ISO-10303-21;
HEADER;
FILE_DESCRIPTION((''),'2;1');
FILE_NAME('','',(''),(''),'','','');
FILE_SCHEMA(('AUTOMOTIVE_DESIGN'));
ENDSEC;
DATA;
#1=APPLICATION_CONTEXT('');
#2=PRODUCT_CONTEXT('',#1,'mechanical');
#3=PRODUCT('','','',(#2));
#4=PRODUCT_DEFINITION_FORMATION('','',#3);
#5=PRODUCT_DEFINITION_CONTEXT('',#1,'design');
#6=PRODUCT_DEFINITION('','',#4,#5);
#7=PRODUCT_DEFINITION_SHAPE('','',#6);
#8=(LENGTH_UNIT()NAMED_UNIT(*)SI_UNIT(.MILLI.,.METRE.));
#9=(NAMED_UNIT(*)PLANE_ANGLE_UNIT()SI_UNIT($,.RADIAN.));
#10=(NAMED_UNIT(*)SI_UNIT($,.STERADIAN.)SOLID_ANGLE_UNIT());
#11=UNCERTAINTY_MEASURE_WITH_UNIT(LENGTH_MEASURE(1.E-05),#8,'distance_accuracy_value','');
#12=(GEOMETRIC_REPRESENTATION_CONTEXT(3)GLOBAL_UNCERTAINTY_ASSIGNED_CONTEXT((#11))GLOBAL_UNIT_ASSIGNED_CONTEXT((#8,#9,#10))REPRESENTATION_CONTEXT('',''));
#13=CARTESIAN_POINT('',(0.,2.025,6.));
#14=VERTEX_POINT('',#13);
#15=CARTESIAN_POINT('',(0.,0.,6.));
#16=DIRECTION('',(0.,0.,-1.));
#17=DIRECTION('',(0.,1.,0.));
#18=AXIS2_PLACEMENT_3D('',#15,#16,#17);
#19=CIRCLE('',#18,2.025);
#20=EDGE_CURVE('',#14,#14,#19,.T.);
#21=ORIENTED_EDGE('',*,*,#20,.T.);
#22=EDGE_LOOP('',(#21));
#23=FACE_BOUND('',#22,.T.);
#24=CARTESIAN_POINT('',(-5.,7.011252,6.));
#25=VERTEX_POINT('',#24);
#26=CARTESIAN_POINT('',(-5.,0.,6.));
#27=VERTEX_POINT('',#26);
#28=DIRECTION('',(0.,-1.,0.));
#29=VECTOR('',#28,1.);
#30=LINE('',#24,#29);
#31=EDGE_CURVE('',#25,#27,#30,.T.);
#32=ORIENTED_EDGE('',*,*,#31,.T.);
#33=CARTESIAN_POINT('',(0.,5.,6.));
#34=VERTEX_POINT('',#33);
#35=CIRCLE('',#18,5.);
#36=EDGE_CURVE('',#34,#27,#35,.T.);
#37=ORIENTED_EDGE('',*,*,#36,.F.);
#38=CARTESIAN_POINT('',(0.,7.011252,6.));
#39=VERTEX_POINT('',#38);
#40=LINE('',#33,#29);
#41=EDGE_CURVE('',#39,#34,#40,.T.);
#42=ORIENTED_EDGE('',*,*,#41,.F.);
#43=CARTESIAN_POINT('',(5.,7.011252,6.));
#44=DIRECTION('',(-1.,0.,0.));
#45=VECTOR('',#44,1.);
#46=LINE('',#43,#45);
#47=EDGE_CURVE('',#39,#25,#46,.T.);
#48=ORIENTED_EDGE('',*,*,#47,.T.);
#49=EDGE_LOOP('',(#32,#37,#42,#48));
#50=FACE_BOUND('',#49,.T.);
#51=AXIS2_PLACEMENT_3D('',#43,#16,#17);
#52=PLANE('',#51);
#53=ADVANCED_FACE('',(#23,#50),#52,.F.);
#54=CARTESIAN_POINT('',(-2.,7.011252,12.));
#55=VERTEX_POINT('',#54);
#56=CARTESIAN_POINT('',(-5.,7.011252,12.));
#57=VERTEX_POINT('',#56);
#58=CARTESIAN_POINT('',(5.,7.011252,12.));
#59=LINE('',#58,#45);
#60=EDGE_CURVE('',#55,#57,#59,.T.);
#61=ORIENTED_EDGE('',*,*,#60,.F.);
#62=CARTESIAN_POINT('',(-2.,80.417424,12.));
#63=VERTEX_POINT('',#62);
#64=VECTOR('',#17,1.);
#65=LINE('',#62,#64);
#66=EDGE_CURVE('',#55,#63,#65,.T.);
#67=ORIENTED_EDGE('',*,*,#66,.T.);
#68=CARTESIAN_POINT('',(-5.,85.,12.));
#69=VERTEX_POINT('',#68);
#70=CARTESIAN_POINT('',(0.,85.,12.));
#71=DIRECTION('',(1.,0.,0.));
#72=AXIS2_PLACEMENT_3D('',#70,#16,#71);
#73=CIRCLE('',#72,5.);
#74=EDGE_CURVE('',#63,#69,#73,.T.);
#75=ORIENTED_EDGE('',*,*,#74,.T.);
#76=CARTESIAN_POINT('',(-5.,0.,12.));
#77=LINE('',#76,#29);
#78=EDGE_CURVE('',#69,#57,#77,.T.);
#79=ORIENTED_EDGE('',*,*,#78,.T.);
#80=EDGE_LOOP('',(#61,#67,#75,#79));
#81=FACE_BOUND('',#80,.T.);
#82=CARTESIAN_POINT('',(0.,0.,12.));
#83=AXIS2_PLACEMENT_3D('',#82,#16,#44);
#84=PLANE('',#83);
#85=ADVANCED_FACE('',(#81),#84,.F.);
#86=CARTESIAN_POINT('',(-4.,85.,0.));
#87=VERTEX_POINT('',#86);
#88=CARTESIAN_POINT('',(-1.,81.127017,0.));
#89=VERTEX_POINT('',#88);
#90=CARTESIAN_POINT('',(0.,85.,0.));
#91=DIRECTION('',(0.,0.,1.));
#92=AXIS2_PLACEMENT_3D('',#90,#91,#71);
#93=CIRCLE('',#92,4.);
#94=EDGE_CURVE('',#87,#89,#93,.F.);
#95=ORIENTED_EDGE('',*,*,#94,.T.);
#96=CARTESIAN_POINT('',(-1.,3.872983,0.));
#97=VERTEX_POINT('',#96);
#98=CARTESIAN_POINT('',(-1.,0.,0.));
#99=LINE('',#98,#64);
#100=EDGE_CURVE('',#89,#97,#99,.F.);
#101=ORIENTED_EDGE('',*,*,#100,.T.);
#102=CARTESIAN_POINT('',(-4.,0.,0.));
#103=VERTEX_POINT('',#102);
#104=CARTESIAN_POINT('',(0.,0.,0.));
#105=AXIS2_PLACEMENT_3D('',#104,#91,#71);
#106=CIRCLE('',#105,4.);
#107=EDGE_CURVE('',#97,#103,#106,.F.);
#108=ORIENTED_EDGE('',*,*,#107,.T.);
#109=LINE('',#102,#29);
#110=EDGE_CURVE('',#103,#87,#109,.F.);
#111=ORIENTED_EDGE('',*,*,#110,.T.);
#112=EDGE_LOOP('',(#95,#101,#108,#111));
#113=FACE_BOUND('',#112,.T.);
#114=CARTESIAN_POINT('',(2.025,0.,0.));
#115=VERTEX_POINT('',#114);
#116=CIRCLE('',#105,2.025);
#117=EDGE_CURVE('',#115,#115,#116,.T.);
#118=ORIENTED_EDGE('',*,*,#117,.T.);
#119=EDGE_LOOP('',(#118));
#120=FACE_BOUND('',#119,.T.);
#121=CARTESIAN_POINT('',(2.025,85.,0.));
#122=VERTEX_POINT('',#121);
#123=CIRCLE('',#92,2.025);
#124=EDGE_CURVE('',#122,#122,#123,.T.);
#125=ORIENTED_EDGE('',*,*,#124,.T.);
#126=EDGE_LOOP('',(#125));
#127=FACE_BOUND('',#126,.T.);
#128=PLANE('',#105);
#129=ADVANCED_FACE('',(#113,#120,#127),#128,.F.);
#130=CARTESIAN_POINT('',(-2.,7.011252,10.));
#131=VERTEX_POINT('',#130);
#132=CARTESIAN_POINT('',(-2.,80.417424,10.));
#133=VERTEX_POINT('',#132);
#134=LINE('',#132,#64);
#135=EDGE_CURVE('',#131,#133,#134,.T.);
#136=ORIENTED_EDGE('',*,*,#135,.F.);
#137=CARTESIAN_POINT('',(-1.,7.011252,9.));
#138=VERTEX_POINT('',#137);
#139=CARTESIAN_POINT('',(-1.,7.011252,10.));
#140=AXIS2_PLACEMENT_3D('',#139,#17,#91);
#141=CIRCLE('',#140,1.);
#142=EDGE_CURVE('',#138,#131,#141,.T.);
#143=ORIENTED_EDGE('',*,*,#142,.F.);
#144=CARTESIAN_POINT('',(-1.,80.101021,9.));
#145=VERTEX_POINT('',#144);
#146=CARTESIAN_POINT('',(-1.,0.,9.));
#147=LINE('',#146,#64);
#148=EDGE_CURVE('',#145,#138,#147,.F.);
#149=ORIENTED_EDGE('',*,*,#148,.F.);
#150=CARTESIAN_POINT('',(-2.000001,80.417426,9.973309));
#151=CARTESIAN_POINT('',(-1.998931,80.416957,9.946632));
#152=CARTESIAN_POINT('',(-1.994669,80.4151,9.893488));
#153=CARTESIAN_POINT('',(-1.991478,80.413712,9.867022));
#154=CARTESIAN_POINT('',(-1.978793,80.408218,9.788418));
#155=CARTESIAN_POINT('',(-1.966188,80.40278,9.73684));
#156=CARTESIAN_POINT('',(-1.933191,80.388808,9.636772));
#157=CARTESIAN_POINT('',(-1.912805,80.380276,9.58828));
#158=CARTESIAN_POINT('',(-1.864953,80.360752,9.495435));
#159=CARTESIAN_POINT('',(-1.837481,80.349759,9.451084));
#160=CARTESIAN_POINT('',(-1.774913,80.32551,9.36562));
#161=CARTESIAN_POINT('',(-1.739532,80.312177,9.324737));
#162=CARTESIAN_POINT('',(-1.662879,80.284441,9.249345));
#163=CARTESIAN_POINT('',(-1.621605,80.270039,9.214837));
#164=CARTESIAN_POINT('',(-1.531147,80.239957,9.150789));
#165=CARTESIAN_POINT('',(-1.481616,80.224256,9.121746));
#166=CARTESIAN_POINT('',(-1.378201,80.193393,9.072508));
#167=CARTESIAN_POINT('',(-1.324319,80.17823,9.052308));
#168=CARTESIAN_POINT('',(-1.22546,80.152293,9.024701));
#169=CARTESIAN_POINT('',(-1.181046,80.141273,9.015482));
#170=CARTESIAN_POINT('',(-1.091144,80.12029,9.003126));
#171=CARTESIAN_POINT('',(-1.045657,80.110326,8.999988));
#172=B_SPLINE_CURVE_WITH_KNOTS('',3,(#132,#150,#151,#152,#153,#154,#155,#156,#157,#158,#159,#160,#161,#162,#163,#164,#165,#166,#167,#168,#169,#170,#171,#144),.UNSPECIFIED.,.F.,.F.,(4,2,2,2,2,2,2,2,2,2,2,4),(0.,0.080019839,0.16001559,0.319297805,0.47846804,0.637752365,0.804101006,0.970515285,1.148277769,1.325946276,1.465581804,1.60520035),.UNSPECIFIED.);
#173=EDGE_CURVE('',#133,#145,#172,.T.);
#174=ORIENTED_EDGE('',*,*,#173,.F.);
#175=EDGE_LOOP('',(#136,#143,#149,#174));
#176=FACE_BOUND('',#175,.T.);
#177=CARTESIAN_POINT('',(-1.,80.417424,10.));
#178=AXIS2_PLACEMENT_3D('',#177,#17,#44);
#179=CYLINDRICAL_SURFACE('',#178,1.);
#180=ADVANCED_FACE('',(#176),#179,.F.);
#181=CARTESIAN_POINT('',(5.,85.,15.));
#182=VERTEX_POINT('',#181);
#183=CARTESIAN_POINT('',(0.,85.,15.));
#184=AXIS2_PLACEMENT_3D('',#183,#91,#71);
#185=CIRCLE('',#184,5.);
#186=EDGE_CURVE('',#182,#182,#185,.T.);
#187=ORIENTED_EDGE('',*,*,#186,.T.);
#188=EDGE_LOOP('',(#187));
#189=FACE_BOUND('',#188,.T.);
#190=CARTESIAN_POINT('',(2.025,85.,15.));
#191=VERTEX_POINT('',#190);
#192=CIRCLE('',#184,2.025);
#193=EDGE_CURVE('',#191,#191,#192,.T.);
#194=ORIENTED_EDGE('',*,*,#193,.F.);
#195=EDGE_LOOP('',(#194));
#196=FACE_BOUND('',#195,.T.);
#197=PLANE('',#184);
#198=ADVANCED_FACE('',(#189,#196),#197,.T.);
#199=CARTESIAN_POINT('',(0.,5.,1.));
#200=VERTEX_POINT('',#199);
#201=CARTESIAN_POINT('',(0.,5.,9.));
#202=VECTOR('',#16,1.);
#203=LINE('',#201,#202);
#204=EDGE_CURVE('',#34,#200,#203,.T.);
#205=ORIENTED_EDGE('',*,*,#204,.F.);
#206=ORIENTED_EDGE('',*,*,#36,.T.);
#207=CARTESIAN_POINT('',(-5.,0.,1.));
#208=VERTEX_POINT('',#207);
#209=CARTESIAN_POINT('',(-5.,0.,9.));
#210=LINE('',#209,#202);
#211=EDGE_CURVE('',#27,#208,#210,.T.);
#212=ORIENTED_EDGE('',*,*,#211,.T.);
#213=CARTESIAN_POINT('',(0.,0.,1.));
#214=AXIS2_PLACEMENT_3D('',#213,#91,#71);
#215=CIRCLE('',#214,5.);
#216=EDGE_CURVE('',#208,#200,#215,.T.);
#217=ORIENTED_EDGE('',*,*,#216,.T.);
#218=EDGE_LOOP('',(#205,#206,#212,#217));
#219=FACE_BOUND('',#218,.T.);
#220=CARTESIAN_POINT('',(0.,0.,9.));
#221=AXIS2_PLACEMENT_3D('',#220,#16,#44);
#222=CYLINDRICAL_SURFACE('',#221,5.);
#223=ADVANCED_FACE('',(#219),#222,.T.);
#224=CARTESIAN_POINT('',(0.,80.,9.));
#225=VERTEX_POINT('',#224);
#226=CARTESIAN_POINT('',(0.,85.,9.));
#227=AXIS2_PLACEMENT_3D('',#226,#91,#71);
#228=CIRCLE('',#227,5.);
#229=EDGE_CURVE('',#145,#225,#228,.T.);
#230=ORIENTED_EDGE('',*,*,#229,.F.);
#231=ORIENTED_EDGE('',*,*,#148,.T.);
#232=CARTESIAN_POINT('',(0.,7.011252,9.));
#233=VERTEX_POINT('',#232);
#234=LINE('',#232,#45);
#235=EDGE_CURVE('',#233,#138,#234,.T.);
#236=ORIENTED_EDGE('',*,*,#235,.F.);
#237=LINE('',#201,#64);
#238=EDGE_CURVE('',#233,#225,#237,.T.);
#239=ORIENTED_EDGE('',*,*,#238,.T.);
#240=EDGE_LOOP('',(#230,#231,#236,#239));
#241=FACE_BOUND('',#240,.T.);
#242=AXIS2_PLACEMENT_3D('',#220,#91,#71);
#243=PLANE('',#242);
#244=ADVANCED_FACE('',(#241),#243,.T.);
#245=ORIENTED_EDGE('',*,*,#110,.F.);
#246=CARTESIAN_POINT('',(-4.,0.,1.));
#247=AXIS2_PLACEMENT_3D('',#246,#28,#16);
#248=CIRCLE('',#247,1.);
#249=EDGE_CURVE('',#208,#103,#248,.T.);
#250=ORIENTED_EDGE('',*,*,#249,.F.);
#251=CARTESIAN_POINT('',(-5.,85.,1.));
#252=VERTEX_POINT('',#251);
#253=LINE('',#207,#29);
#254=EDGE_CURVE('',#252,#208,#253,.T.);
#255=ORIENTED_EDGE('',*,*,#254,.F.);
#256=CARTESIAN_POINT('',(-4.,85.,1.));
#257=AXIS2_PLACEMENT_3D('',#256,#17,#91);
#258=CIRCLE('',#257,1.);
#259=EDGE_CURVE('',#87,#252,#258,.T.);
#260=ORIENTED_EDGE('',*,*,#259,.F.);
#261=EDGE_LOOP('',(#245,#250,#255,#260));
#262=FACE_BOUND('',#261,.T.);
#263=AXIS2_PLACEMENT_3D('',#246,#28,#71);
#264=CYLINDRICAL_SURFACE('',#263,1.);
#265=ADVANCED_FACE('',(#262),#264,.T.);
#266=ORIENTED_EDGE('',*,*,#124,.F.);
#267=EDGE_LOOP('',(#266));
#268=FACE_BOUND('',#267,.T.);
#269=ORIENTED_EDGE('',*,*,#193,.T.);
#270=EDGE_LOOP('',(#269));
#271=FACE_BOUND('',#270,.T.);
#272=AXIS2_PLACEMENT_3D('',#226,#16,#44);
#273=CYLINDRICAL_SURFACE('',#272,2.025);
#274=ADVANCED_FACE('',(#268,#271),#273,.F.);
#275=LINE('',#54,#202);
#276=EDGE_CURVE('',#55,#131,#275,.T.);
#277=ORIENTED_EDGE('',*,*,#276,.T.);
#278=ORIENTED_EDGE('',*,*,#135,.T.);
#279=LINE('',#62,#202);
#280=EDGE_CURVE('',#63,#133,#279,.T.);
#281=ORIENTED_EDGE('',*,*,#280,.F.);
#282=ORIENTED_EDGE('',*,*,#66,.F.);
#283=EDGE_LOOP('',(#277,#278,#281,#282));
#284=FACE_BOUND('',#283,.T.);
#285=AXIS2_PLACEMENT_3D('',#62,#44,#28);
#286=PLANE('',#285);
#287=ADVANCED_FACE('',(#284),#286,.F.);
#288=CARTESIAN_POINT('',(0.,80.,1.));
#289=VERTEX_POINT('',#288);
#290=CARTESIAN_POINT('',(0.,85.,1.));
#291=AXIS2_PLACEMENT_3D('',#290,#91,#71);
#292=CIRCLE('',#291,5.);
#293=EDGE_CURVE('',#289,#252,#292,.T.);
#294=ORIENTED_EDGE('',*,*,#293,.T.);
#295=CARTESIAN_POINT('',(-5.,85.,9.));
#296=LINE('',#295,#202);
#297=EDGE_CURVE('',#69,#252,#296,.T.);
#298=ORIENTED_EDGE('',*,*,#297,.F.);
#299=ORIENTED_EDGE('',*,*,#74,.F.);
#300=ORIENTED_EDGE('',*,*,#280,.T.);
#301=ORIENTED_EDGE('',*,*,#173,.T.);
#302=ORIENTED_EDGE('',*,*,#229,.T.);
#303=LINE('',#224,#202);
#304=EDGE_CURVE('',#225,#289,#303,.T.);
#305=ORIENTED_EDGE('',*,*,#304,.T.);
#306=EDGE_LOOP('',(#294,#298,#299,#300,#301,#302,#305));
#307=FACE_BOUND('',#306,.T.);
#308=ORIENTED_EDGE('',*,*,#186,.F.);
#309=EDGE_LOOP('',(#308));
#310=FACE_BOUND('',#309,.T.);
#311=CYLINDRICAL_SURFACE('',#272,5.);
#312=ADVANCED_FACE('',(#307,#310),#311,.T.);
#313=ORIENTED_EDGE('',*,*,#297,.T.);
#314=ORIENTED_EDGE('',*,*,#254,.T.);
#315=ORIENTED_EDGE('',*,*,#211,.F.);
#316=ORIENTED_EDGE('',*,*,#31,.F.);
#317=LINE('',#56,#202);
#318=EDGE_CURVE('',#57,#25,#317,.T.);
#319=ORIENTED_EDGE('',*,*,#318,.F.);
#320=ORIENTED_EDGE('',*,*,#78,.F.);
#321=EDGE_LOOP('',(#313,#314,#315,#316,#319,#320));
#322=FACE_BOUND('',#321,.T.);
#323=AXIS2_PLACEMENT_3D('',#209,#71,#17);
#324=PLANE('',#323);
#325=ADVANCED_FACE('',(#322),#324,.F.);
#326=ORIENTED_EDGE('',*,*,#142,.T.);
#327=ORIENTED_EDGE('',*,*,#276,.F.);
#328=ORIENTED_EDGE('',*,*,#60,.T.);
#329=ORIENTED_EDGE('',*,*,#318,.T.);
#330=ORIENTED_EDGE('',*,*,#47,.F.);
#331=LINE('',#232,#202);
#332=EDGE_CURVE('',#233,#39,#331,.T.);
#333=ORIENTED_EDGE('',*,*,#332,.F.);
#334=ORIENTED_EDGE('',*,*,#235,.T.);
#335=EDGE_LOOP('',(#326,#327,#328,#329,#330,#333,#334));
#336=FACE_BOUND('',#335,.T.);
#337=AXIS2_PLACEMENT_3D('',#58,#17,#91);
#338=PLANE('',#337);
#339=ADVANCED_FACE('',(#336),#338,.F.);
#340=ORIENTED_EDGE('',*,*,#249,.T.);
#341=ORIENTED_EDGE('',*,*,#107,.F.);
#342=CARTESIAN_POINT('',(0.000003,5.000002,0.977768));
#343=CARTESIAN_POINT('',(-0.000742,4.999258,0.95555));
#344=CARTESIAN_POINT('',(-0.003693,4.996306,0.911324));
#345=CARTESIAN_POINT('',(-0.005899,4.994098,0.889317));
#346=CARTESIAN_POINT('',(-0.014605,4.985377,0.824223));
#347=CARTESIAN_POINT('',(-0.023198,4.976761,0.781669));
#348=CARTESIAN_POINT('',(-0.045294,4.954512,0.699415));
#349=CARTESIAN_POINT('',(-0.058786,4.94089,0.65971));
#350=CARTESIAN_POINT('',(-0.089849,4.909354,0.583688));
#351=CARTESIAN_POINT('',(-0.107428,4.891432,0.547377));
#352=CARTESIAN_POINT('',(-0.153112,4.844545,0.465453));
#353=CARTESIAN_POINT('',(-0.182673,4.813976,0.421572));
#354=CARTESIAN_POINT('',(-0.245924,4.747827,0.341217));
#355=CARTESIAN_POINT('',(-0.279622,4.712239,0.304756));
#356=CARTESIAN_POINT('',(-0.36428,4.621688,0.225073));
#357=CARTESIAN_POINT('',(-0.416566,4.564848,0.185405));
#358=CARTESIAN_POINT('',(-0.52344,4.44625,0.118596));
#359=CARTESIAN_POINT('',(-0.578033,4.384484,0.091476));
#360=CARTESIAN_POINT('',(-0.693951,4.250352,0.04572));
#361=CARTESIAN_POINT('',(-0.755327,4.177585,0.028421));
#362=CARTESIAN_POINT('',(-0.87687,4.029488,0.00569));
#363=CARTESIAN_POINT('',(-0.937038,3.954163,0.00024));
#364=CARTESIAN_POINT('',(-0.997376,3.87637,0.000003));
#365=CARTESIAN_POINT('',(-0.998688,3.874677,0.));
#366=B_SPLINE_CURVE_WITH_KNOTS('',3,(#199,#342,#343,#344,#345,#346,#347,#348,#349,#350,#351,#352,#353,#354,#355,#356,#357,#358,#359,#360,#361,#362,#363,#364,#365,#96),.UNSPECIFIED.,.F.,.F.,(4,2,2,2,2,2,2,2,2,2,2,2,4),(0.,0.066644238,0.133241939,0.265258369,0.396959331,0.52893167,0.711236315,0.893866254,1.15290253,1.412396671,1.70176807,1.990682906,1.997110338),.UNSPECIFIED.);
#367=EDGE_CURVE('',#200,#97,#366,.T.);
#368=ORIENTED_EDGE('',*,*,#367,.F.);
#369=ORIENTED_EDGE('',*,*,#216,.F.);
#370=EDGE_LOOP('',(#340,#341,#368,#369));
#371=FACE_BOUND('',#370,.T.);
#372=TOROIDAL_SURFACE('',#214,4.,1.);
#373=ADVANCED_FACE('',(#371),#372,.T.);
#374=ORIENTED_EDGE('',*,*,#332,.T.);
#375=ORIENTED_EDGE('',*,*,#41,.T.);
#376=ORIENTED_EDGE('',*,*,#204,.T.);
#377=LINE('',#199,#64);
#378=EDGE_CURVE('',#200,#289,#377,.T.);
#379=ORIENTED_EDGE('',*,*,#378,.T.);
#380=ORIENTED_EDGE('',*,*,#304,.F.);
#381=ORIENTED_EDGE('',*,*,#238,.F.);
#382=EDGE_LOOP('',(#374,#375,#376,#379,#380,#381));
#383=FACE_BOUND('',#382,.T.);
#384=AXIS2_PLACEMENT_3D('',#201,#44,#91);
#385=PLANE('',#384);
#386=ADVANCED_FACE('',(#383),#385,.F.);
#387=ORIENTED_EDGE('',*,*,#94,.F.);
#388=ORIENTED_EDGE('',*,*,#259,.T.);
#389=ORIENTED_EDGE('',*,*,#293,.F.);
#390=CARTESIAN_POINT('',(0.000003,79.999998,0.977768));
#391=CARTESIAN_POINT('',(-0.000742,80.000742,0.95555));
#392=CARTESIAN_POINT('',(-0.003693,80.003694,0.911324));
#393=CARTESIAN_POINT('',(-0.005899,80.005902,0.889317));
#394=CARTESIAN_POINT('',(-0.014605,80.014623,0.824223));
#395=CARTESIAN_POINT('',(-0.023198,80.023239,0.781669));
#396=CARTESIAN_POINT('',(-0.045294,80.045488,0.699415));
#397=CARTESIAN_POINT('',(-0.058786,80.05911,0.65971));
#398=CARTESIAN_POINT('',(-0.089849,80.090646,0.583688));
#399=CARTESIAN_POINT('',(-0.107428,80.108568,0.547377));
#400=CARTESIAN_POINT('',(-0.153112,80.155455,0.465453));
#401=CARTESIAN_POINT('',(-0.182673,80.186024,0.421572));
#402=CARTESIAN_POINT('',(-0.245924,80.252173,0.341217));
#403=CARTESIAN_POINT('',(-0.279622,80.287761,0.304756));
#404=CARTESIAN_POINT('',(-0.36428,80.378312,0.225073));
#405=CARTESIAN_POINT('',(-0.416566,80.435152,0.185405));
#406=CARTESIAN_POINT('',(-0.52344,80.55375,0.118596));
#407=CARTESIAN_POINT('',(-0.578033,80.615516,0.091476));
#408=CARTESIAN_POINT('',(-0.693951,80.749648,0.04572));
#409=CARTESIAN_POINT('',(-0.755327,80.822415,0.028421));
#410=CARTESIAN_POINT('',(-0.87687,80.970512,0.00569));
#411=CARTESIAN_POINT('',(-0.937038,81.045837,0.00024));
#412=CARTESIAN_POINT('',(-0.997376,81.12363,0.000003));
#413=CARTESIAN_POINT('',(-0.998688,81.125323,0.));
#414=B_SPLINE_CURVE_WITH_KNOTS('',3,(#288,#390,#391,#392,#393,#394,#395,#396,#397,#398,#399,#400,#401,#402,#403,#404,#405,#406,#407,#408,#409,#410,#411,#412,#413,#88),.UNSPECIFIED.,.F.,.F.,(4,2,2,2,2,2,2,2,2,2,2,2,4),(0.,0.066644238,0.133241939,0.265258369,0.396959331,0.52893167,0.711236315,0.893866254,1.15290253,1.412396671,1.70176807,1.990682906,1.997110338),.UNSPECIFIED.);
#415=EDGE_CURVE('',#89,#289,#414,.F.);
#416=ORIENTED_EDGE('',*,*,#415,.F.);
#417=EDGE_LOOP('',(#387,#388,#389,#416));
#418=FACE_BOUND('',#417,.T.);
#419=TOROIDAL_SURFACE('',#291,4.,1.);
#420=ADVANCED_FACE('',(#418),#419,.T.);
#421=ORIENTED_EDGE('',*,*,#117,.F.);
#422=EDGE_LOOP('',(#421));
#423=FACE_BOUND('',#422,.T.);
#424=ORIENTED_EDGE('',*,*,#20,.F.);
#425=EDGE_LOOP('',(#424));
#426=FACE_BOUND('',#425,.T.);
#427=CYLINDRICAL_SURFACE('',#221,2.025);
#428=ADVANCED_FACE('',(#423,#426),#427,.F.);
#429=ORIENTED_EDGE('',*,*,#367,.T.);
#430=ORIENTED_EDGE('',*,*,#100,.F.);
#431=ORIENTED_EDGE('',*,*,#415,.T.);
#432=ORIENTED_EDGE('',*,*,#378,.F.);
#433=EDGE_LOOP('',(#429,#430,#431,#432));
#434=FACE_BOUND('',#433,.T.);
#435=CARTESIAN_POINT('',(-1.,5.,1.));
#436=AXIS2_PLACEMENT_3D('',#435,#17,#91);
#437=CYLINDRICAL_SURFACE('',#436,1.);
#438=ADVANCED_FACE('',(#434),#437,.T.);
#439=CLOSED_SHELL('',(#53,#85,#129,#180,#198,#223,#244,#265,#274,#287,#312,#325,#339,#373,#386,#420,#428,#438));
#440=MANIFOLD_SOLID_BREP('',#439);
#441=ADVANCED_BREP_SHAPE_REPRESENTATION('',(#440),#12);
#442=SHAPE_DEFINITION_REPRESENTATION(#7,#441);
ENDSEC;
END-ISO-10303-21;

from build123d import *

# Parameters (mm, degrees)
SKETCH1_R             = 2.024999999999999
SKETCH1_R_2           = 2.025
BOSS_EXTRUDE1_DEPTH   = 9
SKETCH2_R             = 5.0000000000000036
SKETCH2_R_2           = 2.024999999999999
BOSS_EXTRUDE2_DEPTH   = 6
SKETCH3_R             = 2.025
BOSS_EXTRUDE3_DEPTH   = 3
CORTAR_EXTRUIR3_DEPTH = 10
REDONDEO1_R           = 1
REDONDEO2_R           = 1


with BuildPart() as part:
    # Sketch1 → Boss-Extrude1 (new body)
    with BuildSketch(Plane.XY):
        with BuildLine():
            Line((-4.999999999999999, 0), (-5.000000000000001, 85))
            ThreePointArc((-5.000000000000001, 85), (3.535533905932748, 88.53553390593275), (0, 79.99999999999999))
            Line((0, 79.99999999999999), (0, 5))
            ThreePointArc((0, 5), (5, 0), (0, -5))
            ThreePointArc((0, -5), (-3.5355339059327378, -3.535533905932737), (-4.999999999999999, 0))
        make_face()
        with Locations((0, 85)):
            Circle(SKETCH1_R, mode=Mode.SUBTRACT)
        Circle(SKETCH1_R_2, mode=Mode.SUBTRACT)
    extrude(amount=BOSS_EXTRUDE1_DEPTH)

    # Sketch2 → Boss-Extrude2 (add)
    with BuildSketch(Plane.XY.offset(9)):
        with Locations(Location((0, 85, 0), (0, 0, 180))):
            Circle(SKETCH2_R)
        with Locations((0, 85)):
            Circle(SKETCH2_R_2, mode=Mode.SUBTRACT)
    extrude(amount=BOSS_EXTRUDE2_DEPTH)

    # Sketch3 → Boss-Extrude3 (add)
    with BuildSketch(Plane.XY.offset(9)):
        with BuildLine():
            Line((-4.999999999999999, 0), (-5.0000000000000036, 85))
            ThreePointArc((-5.0000000000000036, 85), (-4.183300132670382, 82.26138721247418), (-2.000000000000004, 80.41742430504416))
            Line((-2.000000000000004, 80.41742430504416), (-1.9999999999999958, 5))
            Line((-1.9999999999999958, 5), (0, 5))
            ThreePointArc((0, 5), (5, 0), (0, -5))
            ThreePointArc((0, -5), (-3.535533905932738, -3.535533905932736), (-4.999999999999999, 0))
        make_face()
        Circle(SKETCH3_R, mode=Mode.SUBTRACT)
    extrude(amount=BOSS_EXTRUDE3_DEPTH)

    # Croquis1 → Cortar-Extruir3 (cut)
    with BuildSketch(Plane.ZY.offset(4.999999999999999)):
        Polygon((12, 7.011251740053792), (6, 7.011251740053791), (6.000000000000002, -5.000000000000002), (12.000000000000002, -5.000000000000001), align=None)
    extrude(amount=-CORTAR_EXTRUIR3_DEPTH, mode=Mode.SUBTRACT)

    # Redondeo1
    redondeo1_edges = [part.edges().sort_by_distance(p)[0] for p in [
        (-5, 42.5, 0),
        (3.5355339059327653, 88.53553390593274, 0),
        (0, 42.49999999999999, 0),
        (3.5355339059327386, -3.535533905932737, 0),
    ]]
    fillet(redondeo1_edges, radius=REDONDEO1_R)

    # Redondeo2
    redondeo2_edges = [part.edges().sort_by_distance(p)[0] for p in [
        (-2, 43.71433802254898, 9),
    ]]
    fillet(redondeo2_edges, radius=REDONDEO2_R)


solid = part.part
